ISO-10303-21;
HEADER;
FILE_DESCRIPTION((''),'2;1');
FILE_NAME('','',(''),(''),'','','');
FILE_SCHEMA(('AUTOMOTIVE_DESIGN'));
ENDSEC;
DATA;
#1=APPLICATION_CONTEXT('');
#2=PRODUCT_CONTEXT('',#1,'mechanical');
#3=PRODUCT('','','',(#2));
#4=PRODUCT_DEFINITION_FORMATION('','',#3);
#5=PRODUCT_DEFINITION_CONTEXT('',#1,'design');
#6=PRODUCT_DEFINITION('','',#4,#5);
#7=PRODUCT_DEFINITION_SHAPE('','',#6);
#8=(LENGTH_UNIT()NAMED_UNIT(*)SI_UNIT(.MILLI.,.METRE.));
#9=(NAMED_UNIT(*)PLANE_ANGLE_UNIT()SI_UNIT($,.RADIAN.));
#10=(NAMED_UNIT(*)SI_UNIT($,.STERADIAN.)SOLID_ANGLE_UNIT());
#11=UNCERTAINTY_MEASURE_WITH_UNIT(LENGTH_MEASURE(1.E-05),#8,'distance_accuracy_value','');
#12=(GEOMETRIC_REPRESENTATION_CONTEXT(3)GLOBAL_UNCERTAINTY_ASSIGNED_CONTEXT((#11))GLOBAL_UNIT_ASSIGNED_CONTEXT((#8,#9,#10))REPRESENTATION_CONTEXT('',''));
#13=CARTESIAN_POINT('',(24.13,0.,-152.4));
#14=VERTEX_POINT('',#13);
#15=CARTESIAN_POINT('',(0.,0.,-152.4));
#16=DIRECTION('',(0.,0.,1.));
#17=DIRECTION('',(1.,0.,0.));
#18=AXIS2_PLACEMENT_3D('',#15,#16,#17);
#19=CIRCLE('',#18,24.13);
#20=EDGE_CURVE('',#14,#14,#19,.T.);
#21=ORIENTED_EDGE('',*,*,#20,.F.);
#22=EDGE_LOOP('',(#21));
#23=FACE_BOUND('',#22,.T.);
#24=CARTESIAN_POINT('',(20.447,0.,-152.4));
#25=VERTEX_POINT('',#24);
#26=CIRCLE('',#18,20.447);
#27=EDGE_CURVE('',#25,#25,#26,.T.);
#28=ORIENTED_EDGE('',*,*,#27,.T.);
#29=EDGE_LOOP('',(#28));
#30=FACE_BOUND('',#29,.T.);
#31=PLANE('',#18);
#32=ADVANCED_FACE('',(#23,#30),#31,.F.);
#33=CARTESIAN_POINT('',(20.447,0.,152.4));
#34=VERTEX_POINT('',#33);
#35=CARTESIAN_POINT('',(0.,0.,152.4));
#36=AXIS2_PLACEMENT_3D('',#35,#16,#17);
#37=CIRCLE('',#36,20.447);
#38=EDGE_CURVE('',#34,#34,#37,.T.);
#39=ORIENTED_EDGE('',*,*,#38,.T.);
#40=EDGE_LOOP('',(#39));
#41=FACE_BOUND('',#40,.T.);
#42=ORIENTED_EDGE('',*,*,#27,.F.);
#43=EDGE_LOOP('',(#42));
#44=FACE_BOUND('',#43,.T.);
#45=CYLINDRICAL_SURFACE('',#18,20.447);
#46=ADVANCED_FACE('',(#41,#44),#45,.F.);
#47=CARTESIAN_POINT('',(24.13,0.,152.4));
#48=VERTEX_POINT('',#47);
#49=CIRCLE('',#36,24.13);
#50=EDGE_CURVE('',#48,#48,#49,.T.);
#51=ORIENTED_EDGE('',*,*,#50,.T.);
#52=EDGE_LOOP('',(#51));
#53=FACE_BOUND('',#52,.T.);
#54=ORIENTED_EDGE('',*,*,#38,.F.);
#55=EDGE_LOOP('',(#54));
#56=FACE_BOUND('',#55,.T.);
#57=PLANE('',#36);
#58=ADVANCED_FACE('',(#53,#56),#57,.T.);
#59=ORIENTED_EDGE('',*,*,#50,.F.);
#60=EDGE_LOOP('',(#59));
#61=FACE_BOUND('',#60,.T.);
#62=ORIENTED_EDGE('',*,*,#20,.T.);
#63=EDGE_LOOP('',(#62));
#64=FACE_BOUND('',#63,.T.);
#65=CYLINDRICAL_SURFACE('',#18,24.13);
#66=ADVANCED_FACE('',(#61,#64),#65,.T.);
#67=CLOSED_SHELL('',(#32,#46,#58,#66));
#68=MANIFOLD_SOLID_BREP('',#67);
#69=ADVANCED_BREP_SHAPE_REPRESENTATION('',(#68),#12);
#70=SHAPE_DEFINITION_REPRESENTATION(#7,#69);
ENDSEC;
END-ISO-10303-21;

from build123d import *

# Parameters (mm, degrees)
BOSS_EXTRUDE1_DEPTH      = 152.4
BOSS_EXTRUDE1_DEPTH_BACK = 152.4
SKETCH3_R                = 24.13
SKETCH3_R_2              = 20.447


with BuildPart() as part:
    # Sketch3 → Boss-Extrude1 (new, two sides: drawn at the far end of the back side and taken through both)
    with BuildSketch(Plane.XY.offset(-BOSS_EXTRUDE1_DEPTH_BACK)):
        Circle(SKETCH3_R)
        Circle(SKETCH3_R_2, mode=Mode.SUBTRACT)
    extrude(amount=BOSS_EXTRUDE1_DEPTH + BOSS_EXTRUDE1_DEPTH_BACK)


solid = part.part
